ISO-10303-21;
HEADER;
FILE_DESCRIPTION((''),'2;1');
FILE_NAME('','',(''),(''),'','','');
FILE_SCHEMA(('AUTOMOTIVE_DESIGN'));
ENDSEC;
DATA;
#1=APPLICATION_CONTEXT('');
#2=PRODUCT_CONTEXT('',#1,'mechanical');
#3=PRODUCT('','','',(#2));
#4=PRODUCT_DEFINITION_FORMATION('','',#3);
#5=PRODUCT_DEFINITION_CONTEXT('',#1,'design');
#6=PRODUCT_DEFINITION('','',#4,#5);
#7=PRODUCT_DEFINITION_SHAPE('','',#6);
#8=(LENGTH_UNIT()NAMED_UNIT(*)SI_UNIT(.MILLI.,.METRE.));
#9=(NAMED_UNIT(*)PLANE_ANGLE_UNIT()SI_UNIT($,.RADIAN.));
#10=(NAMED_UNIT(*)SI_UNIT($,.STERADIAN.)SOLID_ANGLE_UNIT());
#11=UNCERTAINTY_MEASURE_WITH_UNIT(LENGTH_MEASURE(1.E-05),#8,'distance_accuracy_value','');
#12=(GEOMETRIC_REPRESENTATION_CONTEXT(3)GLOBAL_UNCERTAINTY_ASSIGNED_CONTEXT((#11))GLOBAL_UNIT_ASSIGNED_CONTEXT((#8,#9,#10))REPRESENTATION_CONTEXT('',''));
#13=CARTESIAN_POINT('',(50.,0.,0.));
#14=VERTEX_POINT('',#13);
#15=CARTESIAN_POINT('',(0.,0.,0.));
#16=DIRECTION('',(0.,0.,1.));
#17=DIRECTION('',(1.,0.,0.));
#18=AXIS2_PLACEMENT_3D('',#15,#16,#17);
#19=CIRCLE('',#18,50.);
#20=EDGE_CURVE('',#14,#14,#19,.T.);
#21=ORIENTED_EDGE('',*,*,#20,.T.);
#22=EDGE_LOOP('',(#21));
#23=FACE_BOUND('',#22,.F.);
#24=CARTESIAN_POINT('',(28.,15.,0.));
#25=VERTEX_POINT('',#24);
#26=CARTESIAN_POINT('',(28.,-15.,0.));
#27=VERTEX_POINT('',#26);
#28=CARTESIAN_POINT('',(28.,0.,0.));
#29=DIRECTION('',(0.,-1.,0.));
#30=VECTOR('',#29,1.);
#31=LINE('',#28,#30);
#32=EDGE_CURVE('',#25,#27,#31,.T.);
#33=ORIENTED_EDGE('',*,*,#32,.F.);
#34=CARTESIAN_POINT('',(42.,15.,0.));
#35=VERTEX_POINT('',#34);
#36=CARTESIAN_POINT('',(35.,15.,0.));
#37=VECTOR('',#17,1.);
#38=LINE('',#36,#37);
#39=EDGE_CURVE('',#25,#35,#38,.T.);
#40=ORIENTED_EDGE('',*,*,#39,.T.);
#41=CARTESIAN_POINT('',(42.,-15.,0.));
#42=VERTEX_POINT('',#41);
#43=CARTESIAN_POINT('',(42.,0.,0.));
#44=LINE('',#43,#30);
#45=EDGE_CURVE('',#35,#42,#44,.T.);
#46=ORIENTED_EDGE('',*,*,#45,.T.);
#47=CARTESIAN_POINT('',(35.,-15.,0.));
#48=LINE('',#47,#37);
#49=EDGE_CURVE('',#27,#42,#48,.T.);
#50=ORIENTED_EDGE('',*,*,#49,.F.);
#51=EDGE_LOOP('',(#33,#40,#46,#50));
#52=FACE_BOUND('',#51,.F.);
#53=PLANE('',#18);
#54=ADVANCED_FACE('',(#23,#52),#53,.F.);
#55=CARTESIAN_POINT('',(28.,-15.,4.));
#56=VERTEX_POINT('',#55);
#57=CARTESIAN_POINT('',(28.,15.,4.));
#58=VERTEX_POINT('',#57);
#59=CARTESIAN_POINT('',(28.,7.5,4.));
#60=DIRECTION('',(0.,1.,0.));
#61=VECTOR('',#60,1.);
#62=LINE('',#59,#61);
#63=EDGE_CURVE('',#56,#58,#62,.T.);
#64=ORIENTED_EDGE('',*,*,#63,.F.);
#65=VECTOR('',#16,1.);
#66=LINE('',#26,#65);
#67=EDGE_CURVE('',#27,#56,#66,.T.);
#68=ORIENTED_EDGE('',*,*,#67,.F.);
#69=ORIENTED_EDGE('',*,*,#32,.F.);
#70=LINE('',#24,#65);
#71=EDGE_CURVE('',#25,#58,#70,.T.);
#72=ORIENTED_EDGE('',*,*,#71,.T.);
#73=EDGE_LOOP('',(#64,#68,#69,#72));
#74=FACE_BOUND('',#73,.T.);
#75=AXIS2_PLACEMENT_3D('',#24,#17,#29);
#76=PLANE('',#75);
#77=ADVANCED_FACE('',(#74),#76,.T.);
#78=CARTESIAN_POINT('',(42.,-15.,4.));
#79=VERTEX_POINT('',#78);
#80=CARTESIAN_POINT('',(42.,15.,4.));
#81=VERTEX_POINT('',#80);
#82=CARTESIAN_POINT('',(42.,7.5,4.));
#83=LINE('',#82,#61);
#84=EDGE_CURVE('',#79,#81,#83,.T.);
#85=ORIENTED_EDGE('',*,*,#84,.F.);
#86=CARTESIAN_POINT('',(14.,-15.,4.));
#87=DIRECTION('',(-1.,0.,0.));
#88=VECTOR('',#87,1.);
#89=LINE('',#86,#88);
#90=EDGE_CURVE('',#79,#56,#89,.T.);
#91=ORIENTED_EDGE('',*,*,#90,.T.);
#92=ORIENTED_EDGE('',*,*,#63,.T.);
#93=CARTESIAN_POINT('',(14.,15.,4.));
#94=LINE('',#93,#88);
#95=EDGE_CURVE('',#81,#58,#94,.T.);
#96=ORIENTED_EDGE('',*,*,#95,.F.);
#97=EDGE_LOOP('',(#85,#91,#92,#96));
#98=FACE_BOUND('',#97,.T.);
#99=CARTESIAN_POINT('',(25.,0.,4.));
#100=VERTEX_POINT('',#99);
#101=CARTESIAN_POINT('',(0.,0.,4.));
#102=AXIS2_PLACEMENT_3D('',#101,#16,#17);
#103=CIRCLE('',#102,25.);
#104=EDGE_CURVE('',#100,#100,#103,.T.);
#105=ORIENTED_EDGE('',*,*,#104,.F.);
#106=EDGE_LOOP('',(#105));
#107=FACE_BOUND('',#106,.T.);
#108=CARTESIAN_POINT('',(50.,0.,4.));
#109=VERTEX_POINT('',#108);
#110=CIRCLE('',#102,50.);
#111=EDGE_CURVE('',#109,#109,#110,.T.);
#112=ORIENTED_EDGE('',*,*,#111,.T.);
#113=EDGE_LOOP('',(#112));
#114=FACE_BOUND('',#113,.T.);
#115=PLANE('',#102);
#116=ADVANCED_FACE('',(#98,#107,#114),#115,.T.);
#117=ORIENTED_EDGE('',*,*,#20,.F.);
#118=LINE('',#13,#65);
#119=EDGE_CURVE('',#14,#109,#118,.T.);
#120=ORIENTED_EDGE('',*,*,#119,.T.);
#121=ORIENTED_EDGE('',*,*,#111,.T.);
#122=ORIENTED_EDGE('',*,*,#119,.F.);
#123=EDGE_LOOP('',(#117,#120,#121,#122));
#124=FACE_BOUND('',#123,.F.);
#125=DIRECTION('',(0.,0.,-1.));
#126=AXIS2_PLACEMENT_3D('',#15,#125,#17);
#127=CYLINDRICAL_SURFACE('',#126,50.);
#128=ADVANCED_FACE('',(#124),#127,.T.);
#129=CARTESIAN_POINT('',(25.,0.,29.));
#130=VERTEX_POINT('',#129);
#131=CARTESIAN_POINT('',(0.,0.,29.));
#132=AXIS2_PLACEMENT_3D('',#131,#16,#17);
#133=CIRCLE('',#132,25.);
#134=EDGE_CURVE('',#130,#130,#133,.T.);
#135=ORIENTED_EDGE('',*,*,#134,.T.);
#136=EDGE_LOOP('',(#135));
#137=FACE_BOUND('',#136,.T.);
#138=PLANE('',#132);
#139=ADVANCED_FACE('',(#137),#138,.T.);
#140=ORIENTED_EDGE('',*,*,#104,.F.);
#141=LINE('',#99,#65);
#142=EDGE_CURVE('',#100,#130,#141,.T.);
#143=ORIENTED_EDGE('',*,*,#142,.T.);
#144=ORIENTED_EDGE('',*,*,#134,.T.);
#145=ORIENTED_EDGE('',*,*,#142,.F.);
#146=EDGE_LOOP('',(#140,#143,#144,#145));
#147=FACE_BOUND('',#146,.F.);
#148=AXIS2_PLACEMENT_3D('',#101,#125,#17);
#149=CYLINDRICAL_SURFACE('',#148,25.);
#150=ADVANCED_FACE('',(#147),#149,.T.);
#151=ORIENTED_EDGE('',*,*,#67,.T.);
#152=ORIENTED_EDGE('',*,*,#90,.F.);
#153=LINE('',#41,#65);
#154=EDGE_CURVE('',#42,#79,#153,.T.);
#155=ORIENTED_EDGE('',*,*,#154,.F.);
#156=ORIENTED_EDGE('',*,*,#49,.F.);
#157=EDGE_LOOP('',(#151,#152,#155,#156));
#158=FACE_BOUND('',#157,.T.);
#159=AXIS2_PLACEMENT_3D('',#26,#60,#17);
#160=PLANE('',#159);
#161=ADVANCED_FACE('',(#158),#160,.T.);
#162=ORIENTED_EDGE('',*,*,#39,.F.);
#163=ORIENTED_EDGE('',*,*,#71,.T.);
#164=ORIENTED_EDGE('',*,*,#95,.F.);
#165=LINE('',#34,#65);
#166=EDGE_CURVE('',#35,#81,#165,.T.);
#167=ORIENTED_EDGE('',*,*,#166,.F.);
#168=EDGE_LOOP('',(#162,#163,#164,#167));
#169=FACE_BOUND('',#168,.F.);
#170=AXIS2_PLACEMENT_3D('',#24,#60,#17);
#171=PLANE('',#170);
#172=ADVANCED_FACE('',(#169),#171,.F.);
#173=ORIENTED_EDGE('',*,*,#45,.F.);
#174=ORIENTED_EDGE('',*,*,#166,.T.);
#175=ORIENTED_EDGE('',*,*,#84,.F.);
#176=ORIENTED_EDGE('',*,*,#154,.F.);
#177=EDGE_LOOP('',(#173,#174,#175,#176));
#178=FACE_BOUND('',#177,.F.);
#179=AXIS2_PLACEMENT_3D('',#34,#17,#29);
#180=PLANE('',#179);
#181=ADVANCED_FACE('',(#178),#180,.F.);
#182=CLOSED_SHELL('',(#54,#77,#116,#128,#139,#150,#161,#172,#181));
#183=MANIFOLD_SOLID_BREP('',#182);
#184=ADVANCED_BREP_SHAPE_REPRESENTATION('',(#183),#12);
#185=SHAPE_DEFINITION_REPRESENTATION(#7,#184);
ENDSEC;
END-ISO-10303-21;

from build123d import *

# Parameters (mm, degrees)
F0_R     = 50
F1_DEPTH = 4
F2_R     = 25
F3_DEPTH = 25
F4_W     = 14
F4_H     = 30
F5_DEPTH = 5


with BuildPart() as f1:
    # F0 (on Top) → F1 (new body)
    with BuildSketch(Plane.XY):
        Circle(F0_R)
    extrude(amount=F1_DEPTH)

    # F2 (on face) → F3 (join)
    with BuildSketch(Plane.XY.offset(4)):
        Circle(F2_R)
    extrude(amount=F3_DEPTH)

    # F4 (on face) → F5 (cut)
    with BuildSketch(Plane(origin=(0, 0, 0), x_dir=(1, 0, 0), z_dir=(0, 0, -1))):
        with Locations((35, 0)):
            Rectangle(F4_W, F4_H)
    extrude(amount=-F5_DEPTH, mode=Mode.SUBTRACT)


solid = f1.part
